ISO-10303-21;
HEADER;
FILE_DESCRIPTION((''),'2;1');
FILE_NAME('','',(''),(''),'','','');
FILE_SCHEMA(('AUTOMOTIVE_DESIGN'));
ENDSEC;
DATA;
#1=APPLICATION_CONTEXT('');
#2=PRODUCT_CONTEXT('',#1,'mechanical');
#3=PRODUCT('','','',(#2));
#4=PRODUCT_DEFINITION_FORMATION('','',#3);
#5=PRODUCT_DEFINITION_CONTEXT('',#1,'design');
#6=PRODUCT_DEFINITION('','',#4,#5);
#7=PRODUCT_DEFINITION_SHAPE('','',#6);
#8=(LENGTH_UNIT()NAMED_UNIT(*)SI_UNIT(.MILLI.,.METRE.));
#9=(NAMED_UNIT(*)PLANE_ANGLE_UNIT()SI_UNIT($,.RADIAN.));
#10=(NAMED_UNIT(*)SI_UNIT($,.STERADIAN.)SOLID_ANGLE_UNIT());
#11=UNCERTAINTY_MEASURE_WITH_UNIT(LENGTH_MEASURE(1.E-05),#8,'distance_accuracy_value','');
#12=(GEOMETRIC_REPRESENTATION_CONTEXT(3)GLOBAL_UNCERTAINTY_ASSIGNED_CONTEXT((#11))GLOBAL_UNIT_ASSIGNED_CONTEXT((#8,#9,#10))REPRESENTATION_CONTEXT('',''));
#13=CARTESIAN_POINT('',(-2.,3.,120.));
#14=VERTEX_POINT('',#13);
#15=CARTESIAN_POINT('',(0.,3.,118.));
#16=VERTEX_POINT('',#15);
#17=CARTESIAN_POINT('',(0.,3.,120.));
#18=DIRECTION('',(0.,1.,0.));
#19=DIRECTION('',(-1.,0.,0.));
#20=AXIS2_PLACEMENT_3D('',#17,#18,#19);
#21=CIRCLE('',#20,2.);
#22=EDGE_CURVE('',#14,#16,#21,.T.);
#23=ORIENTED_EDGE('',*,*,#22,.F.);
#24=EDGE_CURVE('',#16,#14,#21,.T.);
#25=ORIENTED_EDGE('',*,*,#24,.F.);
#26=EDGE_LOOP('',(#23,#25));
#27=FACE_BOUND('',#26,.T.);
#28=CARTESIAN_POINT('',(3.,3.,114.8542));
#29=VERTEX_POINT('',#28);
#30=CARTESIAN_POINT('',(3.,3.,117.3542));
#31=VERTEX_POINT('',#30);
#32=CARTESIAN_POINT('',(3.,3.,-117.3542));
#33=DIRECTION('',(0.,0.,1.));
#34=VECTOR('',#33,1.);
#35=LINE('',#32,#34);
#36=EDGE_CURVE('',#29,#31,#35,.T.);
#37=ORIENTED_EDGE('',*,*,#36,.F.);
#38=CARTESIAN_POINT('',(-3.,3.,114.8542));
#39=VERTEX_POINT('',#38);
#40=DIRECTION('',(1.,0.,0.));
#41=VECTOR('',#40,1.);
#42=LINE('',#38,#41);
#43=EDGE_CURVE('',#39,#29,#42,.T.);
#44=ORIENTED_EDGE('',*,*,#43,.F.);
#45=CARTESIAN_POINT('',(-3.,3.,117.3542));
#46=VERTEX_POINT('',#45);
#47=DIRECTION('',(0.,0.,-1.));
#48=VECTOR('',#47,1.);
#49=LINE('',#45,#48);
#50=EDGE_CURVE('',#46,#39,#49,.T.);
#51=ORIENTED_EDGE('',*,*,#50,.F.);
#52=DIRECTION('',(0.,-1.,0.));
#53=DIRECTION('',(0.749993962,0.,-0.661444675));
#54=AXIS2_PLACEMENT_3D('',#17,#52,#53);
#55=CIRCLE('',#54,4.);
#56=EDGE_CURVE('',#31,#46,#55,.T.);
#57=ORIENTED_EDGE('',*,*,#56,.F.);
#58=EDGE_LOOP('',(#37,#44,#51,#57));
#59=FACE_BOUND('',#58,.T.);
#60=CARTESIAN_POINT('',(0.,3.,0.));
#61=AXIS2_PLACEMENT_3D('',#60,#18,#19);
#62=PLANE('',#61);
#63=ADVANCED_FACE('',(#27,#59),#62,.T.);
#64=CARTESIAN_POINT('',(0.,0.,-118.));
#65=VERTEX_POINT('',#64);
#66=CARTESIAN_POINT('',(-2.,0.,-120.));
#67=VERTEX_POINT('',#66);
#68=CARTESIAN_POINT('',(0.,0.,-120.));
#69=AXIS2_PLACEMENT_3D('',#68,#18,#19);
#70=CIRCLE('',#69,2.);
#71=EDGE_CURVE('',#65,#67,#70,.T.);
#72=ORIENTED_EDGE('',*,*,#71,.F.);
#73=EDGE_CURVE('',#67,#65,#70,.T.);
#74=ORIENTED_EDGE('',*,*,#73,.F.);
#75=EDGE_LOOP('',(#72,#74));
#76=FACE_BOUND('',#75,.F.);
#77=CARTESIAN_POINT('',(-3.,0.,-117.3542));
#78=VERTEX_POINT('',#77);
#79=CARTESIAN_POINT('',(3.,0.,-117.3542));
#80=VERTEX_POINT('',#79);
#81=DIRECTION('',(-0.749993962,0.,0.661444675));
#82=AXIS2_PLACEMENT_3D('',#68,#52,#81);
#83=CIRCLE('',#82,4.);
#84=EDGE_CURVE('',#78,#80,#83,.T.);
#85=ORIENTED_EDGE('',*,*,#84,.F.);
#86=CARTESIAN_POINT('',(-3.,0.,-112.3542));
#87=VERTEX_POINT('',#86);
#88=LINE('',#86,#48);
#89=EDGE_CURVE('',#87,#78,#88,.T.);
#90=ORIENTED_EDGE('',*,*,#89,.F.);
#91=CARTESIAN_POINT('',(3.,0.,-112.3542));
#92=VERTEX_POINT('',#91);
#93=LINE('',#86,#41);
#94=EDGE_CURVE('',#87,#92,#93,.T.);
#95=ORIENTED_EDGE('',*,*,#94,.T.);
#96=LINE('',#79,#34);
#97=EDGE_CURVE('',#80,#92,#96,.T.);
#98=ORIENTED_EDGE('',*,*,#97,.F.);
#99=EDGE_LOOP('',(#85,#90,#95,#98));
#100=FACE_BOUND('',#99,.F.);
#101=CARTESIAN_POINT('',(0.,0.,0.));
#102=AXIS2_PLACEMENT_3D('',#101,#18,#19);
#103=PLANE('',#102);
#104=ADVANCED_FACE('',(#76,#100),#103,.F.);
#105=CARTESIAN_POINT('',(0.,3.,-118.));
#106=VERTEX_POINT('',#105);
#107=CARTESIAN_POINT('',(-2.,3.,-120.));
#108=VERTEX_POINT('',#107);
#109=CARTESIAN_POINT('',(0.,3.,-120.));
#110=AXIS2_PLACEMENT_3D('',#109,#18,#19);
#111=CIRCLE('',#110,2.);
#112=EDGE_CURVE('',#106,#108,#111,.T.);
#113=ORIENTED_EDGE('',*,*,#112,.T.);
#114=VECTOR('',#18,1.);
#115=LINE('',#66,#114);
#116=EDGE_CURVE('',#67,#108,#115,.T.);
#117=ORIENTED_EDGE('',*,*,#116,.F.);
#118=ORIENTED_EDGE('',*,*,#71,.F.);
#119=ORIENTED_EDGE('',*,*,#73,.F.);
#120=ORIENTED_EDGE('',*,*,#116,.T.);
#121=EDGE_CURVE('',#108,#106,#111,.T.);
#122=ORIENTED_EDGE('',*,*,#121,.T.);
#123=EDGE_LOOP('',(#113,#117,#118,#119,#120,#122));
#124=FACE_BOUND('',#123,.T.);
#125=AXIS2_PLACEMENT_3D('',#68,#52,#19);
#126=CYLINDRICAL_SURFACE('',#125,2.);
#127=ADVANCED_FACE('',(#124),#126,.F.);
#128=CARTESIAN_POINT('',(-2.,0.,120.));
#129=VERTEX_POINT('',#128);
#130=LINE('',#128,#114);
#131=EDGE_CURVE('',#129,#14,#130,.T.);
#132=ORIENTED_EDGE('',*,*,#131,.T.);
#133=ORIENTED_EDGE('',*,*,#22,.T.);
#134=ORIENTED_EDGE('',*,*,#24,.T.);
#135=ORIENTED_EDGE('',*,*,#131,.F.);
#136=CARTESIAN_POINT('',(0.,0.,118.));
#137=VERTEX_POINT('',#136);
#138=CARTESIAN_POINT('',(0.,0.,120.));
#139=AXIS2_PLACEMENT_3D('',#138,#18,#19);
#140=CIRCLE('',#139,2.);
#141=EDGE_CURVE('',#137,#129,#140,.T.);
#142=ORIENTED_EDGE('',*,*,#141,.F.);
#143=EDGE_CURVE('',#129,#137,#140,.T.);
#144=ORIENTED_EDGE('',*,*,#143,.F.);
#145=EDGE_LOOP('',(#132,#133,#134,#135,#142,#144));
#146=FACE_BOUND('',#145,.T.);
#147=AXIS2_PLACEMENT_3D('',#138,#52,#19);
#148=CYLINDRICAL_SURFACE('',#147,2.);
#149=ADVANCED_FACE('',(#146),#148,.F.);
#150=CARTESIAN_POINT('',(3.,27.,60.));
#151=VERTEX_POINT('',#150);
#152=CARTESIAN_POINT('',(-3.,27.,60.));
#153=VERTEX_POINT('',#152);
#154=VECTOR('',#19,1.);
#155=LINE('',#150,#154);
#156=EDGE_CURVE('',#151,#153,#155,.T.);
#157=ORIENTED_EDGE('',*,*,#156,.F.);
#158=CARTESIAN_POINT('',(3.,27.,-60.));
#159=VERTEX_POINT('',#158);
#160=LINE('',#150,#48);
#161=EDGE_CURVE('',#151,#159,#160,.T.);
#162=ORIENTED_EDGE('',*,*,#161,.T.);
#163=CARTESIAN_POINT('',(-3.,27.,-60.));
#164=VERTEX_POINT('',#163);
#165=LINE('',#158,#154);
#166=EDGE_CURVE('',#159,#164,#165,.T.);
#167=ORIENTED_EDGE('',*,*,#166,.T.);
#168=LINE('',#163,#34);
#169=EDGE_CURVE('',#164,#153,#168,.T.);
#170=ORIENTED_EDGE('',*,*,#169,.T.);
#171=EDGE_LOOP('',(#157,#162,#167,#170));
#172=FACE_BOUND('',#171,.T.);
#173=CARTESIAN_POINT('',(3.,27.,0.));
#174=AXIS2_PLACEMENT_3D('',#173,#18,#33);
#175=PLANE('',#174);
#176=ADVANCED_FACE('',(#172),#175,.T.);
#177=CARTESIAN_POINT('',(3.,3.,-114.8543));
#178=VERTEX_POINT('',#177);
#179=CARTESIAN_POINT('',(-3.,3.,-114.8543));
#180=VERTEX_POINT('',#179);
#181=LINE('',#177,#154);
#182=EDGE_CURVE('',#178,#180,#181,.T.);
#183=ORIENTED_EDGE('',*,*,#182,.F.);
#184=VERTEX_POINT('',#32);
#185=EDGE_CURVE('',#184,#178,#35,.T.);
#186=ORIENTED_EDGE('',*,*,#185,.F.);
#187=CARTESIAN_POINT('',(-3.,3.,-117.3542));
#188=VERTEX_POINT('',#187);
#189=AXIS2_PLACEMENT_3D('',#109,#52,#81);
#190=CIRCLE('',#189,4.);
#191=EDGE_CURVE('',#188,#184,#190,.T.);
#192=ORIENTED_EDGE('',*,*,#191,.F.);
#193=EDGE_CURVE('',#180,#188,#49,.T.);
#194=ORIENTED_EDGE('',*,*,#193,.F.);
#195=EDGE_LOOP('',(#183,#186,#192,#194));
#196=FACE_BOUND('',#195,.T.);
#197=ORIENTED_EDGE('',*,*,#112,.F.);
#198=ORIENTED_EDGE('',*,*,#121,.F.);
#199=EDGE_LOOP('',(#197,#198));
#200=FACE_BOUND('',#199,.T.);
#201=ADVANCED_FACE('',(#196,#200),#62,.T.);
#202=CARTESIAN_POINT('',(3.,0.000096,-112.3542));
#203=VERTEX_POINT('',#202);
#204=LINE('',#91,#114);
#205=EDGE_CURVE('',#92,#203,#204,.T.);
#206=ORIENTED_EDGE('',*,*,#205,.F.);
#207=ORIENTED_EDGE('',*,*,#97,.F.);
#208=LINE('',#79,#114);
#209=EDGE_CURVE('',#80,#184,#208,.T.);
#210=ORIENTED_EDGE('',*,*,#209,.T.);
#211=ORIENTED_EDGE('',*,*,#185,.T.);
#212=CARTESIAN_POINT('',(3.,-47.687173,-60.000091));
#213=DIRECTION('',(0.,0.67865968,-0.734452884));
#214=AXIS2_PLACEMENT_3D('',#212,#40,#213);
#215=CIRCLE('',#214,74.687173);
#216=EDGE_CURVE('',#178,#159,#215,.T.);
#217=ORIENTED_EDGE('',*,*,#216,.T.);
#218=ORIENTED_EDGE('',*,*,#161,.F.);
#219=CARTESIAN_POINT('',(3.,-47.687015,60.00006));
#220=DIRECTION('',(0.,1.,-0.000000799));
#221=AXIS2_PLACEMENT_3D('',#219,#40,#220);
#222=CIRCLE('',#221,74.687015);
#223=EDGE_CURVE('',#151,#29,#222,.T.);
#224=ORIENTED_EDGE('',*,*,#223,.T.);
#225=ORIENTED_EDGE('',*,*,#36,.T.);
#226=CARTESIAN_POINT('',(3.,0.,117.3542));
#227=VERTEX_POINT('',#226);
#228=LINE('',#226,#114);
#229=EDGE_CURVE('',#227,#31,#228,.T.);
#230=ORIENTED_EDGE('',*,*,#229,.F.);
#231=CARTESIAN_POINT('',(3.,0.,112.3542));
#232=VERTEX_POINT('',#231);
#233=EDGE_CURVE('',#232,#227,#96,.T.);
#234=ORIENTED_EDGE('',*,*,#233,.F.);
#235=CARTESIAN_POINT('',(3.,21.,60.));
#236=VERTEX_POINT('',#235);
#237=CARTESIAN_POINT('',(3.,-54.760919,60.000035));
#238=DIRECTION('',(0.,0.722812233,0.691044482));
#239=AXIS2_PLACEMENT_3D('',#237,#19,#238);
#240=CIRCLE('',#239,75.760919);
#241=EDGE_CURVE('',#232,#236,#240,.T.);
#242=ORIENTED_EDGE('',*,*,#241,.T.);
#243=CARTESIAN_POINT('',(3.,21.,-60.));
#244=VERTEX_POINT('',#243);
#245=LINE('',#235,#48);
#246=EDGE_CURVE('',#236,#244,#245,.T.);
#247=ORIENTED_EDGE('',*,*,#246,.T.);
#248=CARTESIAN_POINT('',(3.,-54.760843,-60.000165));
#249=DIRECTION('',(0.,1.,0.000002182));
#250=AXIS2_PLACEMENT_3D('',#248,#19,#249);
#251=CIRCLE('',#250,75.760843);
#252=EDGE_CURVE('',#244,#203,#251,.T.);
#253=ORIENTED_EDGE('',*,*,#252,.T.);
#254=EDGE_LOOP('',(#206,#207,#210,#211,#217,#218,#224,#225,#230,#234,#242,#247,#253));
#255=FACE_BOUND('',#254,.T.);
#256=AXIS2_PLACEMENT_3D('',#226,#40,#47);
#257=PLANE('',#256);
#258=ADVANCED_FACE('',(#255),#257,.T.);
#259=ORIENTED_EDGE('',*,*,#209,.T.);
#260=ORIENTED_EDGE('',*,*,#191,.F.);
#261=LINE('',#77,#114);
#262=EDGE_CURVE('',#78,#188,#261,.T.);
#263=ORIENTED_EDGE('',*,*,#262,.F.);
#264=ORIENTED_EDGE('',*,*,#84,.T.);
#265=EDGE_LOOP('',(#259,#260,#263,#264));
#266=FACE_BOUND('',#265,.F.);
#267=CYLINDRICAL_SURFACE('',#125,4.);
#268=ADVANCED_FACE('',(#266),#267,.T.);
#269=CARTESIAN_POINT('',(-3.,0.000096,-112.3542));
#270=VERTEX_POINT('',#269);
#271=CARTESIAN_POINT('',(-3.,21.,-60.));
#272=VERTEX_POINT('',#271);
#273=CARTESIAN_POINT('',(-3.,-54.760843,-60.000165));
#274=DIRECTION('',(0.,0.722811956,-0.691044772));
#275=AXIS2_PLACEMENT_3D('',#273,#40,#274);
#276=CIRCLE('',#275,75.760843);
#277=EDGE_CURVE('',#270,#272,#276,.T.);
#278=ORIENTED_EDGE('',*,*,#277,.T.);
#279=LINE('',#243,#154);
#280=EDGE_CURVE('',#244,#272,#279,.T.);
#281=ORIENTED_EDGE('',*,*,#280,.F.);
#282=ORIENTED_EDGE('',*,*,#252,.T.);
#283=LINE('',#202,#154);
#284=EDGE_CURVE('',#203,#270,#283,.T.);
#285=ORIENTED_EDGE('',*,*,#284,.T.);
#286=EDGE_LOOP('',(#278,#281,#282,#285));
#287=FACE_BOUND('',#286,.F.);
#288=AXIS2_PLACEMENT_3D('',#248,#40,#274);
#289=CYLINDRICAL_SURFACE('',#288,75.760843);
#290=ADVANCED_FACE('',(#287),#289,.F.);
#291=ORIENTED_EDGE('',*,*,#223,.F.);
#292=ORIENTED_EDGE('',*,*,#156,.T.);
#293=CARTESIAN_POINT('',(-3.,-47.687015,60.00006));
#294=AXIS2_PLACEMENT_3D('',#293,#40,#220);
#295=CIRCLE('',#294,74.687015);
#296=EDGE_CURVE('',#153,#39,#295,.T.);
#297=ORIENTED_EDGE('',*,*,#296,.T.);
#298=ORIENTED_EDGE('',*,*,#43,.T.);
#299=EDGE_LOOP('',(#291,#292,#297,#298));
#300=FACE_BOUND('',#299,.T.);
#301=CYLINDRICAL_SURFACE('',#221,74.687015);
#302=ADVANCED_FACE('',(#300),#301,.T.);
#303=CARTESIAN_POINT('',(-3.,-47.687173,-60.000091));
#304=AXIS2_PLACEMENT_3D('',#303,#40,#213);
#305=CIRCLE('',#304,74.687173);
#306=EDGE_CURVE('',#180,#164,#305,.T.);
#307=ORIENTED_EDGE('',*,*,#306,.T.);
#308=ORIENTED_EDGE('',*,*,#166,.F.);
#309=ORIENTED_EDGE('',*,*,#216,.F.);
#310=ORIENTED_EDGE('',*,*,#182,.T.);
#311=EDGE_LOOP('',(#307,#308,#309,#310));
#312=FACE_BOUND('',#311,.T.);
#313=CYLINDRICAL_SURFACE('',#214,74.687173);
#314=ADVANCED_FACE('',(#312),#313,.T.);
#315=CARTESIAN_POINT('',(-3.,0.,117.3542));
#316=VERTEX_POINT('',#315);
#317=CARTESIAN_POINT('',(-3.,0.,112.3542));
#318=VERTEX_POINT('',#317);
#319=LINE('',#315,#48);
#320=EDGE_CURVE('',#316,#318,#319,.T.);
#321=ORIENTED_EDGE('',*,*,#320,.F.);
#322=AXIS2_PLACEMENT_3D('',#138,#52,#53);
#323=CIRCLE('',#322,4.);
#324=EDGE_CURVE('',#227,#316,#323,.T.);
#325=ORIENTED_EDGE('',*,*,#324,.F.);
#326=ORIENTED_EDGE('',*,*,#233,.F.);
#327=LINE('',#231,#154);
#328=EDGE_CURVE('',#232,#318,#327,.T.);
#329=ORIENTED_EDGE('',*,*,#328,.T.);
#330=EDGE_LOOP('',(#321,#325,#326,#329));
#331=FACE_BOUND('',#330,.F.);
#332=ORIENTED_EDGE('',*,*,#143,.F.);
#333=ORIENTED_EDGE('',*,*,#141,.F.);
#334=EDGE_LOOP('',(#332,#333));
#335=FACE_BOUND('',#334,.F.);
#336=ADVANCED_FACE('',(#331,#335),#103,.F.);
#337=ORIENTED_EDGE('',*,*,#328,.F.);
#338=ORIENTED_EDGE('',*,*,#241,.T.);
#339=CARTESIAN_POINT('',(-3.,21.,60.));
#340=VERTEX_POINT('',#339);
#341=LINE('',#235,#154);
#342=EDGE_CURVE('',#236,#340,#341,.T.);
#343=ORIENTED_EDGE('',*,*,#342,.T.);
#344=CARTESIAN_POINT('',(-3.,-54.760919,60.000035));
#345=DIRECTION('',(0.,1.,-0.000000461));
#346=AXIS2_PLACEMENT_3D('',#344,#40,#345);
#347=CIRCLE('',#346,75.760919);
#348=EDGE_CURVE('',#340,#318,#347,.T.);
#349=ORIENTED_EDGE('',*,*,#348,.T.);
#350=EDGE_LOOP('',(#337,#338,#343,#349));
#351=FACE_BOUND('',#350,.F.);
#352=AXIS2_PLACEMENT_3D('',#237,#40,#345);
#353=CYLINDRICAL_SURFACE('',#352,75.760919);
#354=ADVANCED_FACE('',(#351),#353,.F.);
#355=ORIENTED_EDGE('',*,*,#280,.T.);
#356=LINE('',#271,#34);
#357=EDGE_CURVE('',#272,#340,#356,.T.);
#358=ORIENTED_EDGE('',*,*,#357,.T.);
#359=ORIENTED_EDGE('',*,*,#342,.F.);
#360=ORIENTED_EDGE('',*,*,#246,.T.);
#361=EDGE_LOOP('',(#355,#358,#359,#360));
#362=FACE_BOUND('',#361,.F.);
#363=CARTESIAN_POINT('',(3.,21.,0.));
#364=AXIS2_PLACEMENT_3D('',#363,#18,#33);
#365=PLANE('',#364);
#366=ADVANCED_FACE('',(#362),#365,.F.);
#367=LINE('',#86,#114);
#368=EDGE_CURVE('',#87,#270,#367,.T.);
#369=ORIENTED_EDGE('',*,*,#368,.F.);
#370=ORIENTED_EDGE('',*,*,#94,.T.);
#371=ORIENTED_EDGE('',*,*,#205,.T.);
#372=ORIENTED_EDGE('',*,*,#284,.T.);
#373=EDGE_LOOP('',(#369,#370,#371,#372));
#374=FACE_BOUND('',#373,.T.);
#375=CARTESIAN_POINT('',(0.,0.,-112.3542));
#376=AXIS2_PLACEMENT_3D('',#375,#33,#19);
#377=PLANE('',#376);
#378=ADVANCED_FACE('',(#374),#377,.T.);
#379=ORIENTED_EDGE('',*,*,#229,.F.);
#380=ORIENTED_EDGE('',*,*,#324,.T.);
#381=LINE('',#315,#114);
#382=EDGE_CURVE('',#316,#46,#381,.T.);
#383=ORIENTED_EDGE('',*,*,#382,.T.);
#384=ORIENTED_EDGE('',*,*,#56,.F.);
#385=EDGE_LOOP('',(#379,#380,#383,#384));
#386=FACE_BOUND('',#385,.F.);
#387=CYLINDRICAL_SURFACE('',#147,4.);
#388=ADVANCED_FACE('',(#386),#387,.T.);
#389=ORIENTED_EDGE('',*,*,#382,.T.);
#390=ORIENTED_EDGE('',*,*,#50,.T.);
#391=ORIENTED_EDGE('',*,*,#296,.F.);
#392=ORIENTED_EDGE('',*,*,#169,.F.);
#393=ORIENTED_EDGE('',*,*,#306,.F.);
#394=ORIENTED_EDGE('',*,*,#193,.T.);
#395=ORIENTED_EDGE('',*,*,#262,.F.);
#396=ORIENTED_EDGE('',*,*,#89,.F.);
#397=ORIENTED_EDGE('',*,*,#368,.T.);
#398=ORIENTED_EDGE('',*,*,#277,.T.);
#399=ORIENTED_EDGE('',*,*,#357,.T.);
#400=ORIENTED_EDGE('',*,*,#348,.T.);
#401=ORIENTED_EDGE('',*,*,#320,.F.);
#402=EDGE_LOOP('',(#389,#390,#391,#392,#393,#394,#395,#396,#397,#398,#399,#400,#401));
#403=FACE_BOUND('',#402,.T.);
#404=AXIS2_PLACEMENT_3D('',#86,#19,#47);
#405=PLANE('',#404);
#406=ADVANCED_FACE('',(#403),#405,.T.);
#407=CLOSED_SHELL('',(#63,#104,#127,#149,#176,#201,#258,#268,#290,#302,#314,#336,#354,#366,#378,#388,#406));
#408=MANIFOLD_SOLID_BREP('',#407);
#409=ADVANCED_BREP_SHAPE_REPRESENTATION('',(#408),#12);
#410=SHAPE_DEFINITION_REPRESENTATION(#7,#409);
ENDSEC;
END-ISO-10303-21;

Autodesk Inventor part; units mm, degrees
ref_plane "YZ Plane" through (0, 0, 0) normal (1, 0, 0) x (0, 1, 0)
ref_plane "XZ Plane" through (0, 0, 0) normal (0, 1, 0) x (-1, 0, 0)
ref_plane "XY Plane" through (0, 0, 0) normal (0, 0, 1) x (1, 0, 0)
sketch "Szkic1" plane through (0, 0, 0) normal (0, 1, 0) x (-1, 0, 0)
  line L0 (0, 0) -> (0, -120)
  line L1 (0, -120) -> (0, 120)
  circle A0 centre (0, 120) radius 2
  circle A1 centre (0, -120) radius 2
  circle A2 centre (0, -120) radius 4
  circle A3 centre (0, 120) radius 4
  line L2 (-3, 117.3542) -> (3, 117.3542)
  line L3 (3, 117.3542) -> (3, -117.3542)
  line L4 (3, -117.3542) -> (-3, -117.3542)
  line L5 (-3, -117.3542) -> (-3, 117.3542)
  line L6 (3, 117.3542) -> (-3, 117.3542)
  line L7 (-3, 117.3542) -> (-3, 112.3542)
  line L8 (-3, 112.3542) -> (3, 112.3542)
  line L9 (3, 112.3542) -> (3, 117.3542)
  line L10 (3, -117.3542) -> (-3, -117.3542)
  line L11 (-3, -117.3542) -> (-3, -112.3542)
  line L12 (-3, -112.3542) -> (3, -112.3542)
  line L13 (3, -112.3542) -> (3, -117.3542)
  point P0 (-3, -117.3542)
  point P1 (3, -112.3542)
  point P2 (3, 112.3542)
  dimension "d4" = 8
  dimension "d5" = 8
  dimension "d0" = 120
  dimension "d1" = 240
  dimension "d2" = 4
  dimension "d3" = 4
  dimension "d6" = 3
  dimension "d7" = 3
  dimension "d14" = 5
  dimension "d15" = 5
extrude "Wyciągnięcie proste1" add sketch "Szkic1" along normal blind 3 contours L12 L3 A2 L0 | L0 A2 L5 L12 | L8 L5 A3 L1 | L1 A3 L3 L8 | A2 L4 L0 | L0 L4 A2 | A3 L2 L1 | L1 L2 A3 | L4 A2 | L2 A3
sketch "Szkic4" plane through (3, 0, 117.3542) normal (1, 0, 0) x (0, 0, -1)
  line L0 (0, 3) -> (5, 3) projected
  line L1 (2.5, 3) -> (232.2085, 3)
  line L2 (232.2085, 3) -> (117.3542, 3)
  line L3 (117.3542, 0) -> (117.3542, 27)
  line L4 (117.3542, 27) -> (177.3542, 27)
  line L5 (177.3542, 27) -> (57.3542, 27)
  arc A0 (57.3542, 27) -> (2.5, 3) centre (57.3542, -47.6873) ccw
  arc A1 (232.2085, 3) -> (177.3542, 27) centre (177.3542, -47.6873) ccw
  line L6 (57.3542, 27) -> (177.3542, 27)
  line L7 (177.3542, 27) -> (177.3542, 21)
  line L8 (177.3542, 21) -> (57.3542, 21)
  line L9 (57.3542, 21) -> (57.3542, 27)
  line L10 (0, 0) -> (5, 0) projected
  arc A2 (57.3542, 21) -> (5, 0) centre (57.3542, -54.7611) ccw
  line L11 (229.7085, 0) -> (229.7085, 3) projected
  arc A3 (229.7085, 0) -> (177.3542, 21) centre (177.3542, -54.7611) ccw
  line L12 (5, 0) -> (5, 3)
  point P0 (226.3787, 3)
  dimension "d26" = 27
  dimension "d27" = 60
  dimension "d28" = 120
  dimension "d29" = 6
extrude "Wyciągnięcie proste4" add sketch "Szkic4" against normal blind 6 contours A0 L9 A2 L1 L0 | L1 A2 L12 | L5 L3 L8 L9 | L4 L7 L8 L3 | A1 L1 A3 L7 | L1 L11 A3
properties part number "lacznik2"
